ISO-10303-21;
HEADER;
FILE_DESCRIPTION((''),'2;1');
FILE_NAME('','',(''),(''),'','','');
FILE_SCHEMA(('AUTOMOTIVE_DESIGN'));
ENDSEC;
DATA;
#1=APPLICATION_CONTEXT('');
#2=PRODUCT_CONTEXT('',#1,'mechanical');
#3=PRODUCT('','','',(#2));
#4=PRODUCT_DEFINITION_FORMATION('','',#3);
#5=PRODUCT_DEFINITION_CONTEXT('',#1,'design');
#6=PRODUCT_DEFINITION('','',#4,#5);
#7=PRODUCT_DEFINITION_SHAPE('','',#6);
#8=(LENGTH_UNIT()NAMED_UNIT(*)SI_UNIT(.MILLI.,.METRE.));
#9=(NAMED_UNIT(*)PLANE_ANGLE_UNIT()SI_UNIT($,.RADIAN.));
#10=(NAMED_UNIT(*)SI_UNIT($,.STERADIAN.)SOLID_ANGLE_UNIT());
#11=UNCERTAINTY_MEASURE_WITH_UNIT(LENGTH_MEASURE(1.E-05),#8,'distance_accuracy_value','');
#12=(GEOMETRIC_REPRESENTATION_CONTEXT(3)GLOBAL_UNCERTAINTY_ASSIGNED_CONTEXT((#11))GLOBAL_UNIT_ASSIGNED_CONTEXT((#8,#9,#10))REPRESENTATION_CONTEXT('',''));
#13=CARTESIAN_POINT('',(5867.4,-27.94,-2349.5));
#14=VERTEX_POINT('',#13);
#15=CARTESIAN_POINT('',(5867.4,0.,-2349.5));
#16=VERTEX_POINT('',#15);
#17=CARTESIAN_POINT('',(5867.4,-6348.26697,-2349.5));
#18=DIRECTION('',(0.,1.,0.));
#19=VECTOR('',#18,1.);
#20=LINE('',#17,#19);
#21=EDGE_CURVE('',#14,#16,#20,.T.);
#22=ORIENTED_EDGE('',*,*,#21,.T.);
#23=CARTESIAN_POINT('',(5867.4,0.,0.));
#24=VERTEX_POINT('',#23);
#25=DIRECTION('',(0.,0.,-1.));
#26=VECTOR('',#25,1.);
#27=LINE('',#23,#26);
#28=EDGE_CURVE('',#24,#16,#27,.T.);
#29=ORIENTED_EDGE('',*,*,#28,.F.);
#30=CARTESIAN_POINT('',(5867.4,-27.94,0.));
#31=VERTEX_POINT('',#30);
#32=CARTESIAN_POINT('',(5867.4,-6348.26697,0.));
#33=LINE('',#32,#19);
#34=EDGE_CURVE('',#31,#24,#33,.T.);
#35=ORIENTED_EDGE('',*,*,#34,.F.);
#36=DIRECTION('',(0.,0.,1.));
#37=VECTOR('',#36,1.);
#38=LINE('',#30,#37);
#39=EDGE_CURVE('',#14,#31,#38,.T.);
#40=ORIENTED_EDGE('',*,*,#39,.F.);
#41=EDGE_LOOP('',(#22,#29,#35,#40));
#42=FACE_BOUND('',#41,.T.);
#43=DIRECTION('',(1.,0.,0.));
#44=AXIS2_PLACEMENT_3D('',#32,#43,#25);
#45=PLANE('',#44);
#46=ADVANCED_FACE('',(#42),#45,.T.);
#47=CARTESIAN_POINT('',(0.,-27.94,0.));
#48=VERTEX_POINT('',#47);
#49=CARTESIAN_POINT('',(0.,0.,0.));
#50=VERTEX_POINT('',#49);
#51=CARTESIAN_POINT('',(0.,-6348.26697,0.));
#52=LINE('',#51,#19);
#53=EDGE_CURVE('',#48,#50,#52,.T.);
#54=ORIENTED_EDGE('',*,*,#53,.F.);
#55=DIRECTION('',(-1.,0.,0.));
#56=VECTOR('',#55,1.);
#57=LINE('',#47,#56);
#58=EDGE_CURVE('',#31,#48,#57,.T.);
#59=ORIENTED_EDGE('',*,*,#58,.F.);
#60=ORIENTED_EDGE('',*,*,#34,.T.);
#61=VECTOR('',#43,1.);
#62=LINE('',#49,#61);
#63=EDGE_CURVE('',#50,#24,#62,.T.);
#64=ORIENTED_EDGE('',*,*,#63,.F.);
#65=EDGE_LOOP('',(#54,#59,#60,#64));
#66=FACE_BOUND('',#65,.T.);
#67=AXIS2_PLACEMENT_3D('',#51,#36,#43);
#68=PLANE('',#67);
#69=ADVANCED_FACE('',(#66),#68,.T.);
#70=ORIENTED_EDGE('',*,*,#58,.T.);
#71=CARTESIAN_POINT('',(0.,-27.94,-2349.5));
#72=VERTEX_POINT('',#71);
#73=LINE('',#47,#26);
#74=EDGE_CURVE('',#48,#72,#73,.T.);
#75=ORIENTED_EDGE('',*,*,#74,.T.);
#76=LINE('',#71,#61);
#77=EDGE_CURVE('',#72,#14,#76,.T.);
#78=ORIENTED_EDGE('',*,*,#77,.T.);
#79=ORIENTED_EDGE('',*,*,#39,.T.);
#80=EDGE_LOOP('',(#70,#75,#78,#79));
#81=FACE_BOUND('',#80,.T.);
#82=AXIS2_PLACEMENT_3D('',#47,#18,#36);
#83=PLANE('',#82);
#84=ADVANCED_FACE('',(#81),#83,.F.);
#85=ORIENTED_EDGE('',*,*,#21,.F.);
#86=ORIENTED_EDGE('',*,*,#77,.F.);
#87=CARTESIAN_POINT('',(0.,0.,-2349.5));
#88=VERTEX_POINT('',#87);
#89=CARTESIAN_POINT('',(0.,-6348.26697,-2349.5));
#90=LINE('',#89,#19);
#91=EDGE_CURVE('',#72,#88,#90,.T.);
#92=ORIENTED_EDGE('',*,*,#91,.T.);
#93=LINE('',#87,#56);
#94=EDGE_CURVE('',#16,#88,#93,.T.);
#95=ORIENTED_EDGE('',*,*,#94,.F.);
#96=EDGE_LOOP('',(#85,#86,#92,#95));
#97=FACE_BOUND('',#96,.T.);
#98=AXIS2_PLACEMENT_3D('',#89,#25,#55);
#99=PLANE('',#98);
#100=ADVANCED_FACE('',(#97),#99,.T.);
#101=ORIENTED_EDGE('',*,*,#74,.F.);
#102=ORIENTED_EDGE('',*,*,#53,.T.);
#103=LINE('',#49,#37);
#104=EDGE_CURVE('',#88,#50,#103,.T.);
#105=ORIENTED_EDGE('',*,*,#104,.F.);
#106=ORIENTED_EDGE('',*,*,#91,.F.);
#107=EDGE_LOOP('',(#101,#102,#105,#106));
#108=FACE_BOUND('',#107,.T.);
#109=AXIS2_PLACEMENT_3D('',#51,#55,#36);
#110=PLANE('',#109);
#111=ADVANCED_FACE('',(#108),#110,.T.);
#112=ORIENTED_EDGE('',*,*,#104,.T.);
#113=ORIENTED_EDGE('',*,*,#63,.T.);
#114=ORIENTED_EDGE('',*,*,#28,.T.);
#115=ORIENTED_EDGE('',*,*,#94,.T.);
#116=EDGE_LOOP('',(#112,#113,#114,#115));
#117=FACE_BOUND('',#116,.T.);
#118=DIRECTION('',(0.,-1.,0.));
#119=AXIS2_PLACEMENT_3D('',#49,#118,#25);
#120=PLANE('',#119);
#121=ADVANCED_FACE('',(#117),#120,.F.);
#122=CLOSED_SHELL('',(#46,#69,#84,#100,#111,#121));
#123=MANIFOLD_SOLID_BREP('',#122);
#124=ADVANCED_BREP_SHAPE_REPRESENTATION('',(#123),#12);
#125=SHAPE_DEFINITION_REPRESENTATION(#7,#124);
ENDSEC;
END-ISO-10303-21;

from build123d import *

# Parameters (mm, degrees)
SKETCH4_W           = 5867.4
SKETCH4_H           = 2349.5
BOSS_EXTRUDE2_DEPTH = 27.94


with BuildPart() as part:
    # Sketch4 → Boss-Extrude2 (new body)
    with BuildSketch(Plane(origin=(0, 0, 0), x_dir=(1, 0, 0), z_dir=(0, 1, 0))):
        with Locations((2933.7, 1174.75)):
            Rectangle(SKETCH4_W, SKETCH4_H)
    extrude(amount=-BOSS_EXTRUDE2_DEPTH)


solid = part.part
